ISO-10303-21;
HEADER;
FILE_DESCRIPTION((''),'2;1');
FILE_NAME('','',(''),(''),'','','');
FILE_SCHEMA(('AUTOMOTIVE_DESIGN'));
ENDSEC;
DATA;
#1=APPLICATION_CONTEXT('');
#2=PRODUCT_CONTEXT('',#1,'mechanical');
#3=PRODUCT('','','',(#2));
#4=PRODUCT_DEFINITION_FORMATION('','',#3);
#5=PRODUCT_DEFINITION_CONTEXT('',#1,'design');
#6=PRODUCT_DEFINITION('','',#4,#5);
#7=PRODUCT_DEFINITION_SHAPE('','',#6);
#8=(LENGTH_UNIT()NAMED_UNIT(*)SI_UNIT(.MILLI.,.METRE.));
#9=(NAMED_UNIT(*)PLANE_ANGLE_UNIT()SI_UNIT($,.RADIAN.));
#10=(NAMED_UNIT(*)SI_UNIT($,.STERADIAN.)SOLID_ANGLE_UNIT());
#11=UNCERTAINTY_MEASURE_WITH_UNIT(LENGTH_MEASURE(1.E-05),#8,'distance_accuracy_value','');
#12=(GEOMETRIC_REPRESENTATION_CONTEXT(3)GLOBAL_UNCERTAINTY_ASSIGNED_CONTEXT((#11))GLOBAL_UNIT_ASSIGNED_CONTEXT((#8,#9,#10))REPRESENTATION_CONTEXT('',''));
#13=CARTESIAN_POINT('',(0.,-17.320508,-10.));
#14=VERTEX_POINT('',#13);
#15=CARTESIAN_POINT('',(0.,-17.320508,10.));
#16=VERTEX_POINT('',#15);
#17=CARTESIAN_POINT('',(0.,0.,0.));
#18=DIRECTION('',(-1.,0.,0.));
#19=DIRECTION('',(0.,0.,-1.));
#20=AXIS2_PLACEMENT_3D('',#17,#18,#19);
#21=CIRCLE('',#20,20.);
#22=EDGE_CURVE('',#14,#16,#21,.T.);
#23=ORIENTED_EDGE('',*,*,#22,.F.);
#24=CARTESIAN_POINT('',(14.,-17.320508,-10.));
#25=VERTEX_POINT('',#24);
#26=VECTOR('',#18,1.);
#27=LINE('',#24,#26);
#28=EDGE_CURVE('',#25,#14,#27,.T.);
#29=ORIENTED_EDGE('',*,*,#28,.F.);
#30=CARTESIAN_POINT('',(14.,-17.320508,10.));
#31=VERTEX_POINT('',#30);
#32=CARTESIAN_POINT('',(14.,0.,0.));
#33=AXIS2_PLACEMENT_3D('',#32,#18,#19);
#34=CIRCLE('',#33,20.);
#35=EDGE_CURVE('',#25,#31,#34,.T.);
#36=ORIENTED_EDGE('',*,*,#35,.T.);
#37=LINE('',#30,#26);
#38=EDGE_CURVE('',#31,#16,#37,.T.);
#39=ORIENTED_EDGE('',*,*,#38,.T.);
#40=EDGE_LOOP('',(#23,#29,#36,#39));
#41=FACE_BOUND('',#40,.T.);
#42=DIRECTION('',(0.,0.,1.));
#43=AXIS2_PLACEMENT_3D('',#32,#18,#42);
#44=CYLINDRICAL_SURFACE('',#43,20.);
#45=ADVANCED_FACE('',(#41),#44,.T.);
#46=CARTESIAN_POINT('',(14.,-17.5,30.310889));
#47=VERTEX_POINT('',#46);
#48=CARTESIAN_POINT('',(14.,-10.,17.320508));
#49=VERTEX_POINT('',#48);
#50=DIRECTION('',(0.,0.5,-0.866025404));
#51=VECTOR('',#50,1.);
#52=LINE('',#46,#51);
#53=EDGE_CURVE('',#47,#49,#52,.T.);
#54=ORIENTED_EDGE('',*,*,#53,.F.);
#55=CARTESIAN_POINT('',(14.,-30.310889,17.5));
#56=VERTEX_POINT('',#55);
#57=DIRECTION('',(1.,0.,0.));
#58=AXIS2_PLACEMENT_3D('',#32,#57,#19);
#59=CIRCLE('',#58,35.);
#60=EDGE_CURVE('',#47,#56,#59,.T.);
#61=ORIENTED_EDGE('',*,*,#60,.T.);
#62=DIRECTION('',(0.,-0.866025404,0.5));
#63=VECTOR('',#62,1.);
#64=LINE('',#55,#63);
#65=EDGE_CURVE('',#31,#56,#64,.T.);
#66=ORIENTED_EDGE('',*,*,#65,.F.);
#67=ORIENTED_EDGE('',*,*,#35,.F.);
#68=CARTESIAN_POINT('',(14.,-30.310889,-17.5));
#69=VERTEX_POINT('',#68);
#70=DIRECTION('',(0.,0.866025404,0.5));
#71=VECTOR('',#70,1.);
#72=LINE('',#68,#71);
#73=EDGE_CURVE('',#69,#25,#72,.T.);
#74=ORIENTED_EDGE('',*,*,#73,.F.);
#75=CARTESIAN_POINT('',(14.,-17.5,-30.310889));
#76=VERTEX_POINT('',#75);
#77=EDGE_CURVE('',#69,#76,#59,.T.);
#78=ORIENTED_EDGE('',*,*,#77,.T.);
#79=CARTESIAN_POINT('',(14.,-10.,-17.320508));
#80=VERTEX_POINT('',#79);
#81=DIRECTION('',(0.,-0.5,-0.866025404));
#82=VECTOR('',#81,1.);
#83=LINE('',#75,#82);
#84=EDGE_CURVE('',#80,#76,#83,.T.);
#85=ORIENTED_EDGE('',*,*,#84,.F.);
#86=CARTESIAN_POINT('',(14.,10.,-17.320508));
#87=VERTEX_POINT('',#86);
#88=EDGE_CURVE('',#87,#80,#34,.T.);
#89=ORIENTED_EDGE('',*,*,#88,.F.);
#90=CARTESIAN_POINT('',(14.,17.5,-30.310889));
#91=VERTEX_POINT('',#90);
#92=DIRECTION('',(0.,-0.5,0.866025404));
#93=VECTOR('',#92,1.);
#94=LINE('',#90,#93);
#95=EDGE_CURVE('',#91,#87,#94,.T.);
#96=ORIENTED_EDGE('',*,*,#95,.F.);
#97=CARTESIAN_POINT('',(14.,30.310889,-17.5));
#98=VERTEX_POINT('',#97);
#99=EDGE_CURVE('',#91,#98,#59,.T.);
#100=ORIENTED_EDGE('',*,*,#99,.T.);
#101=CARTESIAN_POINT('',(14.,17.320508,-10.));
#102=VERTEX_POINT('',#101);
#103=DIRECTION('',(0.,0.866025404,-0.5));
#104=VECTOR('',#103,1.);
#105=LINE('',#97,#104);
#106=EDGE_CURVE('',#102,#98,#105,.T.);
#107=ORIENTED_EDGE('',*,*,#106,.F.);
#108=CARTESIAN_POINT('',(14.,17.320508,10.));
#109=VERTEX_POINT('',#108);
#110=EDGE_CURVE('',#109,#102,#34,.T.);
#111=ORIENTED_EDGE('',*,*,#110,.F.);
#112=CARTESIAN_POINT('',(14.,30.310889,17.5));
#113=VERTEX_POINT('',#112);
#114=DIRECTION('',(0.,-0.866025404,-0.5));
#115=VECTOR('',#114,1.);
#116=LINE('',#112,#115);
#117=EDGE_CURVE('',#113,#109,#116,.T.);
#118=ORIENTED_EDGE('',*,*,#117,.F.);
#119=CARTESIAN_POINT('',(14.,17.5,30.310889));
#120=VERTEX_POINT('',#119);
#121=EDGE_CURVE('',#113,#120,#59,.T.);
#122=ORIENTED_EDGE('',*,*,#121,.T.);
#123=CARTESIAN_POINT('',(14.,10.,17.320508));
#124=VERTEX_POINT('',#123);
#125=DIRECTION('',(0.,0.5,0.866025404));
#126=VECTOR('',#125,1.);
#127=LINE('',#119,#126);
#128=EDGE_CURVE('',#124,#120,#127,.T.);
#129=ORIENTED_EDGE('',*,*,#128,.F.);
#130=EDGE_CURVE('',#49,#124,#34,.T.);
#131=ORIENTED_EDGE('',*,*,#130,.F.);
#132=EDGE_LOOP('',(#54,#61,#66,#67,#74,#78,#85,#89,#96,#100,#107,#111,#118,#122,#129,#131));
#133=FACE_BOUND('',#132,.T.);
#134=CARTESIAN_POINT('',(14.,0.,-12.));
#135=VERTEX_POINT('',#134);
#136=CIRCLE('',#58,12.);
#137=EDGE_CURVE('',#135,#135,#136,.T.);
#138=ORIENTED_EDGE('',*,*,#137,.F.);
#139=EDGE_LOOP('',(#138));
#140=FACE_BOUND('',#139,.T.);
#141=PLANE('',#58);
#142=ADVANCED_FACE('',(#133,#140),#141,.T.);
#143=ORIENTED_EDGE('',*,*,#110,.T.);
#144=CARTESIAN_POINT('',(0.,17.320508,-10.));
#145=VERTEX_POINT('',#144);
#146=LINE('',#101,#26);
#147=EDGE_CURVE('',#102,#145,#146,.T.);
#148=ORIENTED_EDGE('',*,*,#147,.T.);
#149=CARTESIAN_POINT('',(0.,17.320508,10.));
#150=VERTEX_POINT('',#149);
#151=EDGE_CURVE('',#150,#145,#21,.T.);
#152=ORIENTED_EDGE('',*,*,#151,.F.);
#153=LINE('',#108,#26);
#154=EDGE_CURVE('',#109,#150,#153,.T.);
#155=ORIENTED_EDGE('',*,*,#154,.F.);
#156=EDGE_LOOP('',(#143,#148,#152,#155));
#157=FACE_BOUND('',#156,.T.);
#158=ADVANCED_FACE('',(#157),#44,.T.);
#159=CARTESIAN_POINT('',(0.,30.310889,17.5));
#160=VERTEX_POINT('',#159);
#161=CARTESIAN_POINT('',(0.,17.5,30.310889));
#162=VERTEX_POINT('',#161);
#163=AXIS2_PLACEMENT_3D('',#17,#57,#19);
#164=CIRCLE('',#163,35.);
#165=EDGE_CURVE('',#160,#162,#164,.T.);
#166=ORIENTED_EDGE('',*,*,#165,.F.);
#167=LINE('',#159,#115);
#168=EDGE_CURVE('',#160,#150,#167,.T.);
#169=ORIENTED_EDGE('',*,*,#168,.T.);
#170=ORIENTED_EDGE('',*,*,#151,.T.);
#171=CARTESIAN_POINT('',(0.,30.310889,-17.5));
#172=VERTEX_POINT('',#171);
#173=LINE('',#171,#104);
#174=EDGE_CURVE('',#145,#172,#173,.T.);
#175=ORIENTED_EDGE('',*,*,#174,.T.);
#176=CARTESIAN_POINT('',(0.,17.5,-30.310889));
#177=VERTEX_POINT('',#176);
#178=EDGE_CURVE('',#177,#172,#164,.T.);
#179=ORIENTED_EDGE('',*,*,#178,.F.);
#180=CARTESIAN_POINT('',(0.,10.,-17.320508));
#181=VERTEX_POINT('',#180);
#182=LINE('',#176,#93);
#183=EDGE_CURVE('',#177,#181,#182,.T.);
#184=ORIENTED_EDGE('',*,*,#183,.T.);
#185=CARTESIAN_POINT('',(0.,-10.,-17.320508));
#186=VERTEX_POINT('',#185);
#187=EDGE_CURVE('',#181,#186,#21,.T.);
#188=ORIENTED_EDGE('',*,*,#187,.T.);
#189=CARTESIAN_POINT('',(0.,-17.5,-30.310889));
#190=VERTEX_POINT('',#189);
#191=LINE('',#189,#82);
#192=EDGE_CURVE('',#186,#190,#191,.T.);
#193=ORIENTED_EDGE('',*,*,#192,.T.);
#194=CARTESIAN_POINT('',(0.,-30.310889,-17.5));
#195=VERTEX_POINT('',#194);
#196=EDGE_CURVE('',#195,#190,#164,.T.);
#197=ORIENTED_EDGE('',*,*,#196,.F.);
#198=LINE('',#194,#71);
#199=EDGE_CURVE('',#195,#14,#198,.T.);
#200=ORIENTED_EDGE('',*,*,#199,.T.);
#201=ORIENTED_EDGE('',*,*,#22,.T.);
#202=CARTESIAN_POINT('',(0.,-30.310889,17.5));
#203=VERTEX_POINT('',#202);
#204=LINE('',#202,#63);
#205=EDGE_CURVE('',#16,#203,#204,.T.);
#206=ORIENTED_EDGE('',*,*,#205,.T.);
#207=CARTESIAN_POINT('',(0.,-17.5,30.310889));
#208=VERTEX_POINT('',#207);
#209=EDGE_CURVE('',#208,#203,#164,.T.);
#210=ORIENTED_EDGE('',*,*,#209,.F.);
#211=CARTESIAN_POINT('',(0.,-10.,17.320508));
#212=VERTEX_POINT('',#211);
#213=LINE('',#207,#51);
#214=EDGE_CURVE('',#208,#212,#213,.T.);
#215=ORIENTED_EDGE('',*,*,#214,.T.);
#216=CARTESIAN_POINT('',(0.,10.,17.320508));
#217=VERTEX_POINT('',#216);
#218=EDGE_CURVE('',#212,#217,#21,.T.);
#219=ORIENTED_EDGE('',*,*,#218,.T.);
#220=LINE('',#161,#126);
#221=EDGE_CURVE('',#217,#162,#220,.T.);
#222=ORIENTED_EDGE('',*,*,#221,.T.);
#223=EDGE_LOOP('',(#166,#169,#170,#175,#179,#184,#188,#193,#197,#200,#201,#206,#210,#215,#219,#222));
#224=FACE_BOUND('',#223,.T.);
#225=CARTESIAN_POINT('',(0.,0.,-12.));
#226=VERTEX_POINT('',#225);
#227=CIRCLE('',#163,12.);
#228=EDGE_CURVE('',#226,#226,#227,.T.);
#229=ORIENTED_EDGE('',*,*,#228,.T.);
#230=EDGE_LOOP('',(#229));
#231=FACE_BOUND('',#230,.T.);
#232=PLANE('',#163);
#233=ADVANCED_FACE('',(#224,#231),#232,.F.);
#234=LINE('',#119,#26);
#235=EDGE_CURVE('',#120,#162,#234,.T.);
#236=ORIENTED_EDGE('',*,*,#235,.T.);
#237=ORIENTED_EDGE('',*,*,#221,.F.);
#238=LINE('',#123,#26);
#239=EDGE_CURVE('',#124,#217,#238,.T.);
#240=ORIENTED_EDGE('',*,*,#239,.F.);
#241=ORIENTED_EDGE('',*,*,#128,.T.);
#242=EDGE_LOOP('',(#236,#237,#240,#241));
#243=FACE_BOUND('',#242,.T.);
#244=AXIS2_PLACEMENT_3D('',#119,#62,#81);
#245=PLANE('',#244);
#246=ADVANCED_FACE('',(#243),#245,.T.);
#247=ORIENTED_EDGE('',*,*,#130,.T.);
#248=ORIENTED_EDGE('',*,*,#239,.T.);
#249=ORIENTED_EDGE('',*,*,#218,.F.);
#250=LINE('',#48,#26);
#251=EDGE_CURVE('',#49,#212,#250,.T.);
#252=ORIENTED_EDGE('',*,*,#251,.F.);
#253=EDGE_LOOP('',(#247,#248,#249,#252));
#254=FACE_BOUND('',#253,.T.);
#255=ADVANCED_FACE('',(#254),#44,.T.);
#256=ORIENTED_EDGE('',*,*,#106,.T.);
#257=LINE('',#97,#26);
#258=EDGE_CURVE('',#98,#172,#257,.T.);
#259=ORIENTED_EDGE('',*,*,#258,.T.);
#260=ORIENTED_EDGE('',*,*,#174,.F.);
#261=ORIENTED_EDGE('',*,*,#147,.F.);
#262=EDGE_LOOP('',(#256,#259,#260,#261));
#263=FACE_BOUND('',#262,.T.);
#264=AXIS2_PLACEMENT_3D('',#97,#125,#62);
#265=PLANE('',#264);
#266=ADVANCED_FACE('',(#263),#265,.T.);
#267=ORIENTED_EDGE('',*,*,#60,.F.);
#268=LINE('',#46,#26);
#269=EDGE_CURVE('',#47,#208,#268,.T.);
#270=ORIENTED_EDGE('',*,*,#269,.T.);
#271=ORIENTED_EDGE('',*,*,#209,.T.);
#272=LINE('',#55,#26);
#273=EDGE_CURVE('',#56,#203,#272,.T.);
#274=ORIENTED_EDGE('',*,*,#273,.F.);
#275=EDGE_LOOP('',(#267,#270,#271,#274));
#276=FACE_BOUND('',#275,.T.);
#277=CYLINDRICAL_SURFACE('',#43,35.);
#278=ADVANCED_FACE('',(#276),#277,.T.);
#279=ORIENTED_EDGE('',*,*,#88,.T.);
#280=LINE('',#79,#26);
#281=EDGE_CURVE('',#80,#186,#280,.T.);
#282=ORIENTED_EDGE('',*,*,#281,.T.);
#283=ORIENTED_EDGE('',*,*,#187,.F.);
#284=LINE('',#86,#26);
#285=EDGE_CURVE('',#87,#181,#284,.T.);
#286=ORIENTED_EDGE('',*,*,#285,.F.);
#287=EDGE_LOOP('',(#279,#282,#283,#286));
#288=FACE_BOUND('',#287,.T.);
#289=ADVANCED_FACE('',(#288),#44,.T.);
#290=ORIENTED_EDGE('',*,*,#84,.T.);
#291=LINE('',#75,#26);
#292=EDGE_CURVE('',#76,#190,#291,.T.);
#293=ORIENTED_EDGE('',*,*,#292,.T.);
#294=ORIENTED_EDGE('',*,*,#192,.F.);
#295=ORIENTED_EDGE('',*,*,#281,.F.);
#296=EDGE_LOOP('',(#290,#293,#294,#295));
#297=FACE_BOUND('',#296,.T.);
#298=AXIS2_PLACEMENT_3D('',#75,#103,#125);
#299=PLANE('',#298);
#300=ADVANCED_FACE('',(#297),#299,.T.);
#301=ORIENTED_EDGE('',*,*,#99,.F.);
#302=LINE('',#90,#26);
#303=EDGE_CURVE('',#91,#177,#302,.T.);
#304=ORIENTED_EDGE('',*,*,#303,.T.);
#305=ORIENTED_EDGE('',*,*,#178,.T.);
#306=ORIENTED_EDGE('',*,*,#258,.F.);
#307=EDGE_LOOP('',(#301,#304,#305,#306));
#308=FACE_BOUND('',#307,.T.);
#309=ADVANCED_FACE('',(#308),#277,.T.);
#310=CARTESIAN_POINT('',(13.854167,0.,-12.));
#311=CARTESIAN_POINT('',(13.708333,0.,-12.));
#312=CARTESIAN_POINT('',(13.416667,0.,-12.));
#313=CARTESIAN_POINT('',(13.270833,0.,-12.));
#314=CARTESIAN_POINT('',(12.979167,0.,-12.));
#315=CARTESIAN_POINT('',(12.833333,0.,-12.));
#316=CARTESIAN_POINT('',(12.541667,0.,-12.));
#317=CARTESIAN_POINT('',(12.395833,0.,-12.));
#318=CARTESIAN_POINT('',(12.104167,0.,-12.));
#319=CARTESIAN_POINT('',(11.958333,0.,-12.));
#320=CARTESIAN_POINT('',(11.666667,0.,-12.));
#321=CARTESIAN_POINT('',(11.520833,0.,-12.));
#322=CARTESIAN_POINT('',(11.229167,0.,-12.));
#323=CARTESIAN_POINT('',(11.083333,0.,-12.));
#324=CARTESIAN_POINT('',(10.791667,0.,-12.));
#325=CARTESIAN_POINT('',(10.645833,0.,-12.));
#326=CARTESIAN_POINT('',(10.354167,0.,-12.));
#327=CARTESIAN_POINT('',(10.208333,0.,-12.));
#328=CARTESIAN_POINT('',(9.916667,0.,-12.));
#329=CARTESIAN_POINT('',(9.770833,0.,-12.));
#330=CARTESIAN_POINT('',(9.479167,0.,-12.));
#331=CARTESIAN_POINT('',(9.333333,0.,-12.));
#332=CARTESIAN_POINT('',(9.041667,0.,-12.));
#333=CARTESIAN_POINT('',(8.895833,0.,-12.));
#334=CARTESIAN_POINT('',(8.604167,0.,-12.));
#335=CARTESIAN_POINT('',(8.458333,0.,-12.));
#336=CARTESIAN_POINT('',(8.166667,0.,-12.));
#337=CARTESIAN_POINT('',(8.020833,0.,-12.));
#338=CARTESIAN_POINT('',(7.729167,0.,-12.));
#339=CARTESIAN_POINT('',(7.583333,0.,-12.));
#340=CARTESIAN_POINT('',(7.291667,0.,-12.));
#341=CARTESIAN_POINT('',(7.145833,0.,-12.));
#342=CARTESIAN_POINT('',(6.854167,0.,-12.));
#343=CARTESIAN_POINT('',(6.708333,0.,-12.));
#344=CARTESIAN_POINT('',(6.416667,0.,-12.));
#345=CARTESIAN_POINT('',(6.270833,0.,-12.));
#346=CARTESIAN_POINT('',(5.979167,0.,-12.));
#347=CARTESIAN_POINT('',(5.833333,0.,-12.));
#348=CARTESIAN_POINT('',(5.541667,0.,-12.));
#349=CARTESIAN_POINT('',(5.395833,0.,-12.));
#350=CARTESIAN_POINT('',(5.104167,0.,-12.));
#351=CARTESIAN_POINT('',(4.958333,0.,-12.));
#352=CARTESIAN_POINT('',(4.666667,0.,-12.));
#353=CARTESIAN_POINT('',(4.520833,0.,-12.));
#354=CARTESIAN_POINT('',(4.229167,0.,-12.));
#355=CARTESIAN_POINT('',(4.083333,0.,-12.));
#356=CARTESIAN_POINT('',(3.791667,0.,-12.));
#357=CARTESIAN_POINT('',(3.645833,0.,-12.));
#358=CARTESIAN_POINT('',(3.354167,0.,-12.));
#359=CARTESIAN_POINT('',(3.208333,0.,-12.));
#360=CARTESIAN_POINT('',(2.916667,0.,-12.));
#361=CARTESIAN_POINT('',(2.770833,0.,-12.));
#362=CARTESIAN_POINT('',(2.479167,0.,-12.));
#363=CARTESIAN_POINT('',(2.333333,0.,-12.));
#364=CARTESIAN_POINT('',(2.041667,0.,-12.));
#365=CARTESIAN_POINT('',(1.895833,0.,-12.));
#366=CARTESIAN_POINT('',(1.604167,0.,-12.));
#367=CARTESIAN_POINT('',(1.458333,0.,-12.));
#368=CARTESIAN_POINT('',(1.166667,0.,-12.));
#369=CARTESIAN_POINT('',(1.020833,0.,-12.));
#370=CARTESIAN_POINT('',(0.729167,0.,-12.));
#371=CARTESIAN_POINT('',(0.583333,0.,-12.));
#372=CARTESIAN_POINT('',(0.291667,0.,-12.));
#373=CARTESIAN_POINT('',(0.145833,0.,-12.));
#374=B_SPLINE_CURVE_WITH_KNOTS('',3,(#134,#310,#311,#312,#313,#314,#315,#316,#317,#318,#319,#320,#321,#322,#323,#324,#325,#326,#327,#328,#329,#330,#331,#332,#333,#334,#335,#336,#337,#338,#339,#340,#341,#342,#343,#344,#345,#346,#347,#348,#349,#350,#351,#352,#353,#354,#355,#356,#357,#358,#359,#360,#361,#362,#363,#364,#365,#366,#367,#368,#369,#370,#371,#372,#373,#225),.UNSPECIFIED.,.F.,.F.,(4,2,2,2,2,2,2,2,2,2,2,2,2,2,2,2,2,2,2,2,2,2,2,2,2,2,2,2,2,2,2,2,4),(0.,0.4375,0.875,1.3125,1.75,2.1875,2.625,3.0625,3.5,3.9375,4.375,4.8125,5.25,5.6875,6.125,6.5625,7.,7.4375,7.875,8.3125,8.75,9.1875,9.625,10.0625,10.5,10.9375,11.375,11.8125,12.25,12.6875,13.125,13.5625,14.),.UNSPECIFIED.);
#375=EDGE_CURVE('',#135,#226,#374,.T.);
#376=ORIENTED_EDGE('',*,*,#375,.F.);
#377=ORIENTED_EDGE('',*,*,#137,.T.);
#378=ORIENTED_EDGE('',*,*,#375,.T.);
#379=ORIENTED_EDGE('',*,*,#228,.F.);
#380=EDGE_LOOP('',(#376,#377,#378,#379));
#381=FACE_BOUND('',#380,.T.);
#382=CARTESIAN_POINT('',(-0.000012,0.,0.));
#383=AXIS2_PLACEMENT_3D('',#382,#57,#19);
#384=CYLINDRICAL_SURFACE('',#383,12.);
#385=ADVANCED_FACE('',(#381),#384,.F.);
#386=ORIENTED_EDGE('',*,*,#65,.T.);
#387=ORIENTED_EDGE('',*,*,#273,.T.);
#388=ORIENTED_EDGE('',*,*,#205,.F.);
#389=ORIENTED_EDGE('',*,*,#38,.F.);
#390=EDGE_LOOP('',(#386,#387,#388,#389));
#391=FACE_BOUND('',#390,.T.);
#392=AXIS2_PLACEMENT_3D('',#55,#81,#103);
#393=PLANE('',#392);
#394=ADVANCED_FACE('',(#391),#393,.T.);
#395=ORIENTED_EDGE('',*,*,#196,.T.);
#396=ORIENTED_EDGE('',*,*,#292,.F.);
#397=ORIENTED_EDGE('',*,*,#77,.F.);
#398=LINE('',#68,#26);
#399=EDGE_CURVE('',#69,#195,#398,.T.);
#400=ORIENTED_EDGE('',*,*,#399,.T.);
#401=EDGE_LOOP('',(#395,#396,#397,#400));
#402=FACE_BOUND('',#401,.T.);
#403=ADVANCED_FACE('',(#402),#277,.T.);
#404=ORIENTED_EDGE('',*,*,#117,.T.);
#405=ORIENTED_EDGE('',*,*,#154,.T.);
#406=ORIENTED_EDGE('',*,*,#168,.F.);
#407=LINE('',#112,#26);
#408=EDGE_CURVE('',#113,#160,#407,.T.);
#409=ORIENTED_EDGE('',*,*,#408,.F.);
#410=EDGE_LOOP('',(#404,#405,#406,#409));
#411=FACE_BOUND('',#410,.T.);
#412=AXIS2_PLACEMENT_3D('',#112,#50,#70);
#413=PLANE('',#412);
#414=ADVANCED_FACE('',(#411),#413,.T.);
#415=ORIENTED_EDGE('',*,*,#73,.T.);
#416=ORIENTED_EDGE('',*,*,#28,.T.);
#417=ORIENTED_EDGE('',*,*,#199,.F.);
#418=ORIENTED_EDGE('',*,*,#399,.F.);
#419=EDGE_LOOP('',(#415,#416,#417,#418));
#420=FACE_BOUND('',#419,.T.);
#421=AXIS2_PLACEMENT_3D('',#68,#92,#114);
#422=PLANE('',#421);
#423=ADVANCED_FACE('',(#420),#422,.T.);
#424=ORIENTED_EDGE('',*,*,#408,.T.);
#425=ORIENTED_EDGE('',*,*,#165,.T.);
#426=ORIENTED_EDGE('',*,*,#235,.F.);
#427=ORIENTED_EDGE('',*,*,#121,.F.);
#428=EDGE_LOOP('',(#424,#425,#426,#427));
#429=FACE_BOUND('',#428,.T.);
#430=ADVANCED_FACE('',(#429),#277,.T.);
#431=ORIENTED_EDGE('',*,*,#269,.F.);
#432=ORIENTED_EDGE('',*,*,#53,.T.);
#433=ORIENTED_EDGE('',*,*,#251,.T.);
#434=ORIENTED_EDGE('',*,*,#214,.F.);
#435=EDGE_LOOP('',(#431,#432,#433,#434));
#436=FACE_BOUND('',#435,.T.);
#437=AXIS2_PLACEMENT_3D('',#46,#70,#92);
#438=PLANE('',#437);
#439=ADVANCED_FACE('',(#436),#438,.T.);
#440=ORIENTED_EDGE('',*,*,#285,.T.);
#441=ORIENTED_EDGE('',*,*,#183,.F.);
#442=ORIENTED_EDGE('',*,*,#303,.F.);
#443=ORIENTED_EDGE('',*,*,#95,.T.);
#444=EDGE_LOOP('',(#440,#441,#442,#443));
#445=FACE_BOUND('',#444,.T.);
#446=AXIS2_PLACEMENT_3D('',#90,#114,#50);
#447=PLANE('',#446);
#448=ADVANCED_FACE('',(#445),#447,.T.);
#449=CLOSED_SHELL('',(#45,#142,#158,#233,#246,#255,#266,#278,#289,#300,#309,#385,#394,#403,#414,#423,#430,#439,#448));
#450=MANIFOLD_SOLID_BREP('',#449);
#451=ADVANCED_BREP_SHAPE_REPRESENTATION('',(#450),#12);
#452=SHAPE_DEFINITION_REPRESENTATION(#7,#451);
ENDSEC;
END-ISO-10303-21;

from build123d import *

# Parameters (mm, degrees)
SKETCH1_R               = 35
BOSS_EXTRUDE1_DEPTH     = 14
CUT_EXTRUDE1_DEPTH      = 52.439284598
CUT_EXTRUDE2_DEPTH      = 46.094345544
CUT_EXTRUDE2_DEPTH_BACK = 46.094345544
SKETCH3_R               = 12


with BuildPart() as part:
    # Sketch1 → Boss-Extrude1 (new body)
    with BuildSketch(Plane(origin=(0, 0, 0), x_dir=(0, 0, -1), z_dir=(1, 0, 0))):
        Circle(SKETCH1_R)
    extrude(amount=BOSS_EXTRUDE1_DEPTH)

    # Sketch2 → Cut-Extrude1 (cut, through all)
    with BuildSketch(Plane(origin=(0, 0, 0), x_dir=(0, 0, -1), z_dir=(1, 0, 0))):
        with BuildLine():
            Line((-17.5, 30.310889132), (-10, 17.320508076))
            ThreePointArc((-10, 17.320508076), (0, 20), (10, 17.320508076))
            Line((10, 17.320508076), (17.5, 30.310889132))
            ThreePointArc((17.5, 30.310889132), (0, 35), (-17.5, 30.310889132))
        make_face()
        with BuildLine():
            Line((30.310889132, 17.5), (17.320508076, 10))
            ThreePointArc((17.320508076, 10), (20, 0), (17.320508076, -10))
            Line((17.320508076, -10), (30.310889132, -17.5))
            ThreePointArc((30.310889132, -17.5), (35, 0), (30.310889132, 17.5))
        make_face()
        with BuildLine():
            Line((17.5, -30.310889132), (10, -17.320508076))
            ThreePointArc((10, -17.320508076), (0, -20), (-10, -17.320508076))
            Line((-10, -17.320508076), (-17.5, -30.310889132))
            ThreePointArc((-17.5, -30.310889132), (0, -35), (17.5, -30.310889132))
        make_face()
        with BuildLine():
            Line((-30.310889132, -17.5), (-17.320508076, -10))
            ThreePointArc((-17.320508076, -10), (-20, 0), (-17.320508076, 10))
            Line((-17.320508076, 10), (-30.310889132, 17.5))
            ThreePointArc((-30.310889132, 17.5), (-35, 0), (-30.310889132, -17.5))
        make_face()
    extrude(amount=CUT_EXTRUDE1_DEPTH, mode=Mode.SUBTRACT)

    # Sketch3 → Cut-Extrude2 (cut, two sides: drawn at the far end of the back side and taken through both)
    with BuildSketch(Plane(origin=(0, 0, 0), x_dir=(0, 0, -1), z_dir=(1, 0, 0)).offset(-CUT_EXTRUDE2_DEPTH_BACK)):
        Circle(SKETCH3_R)
    extrude(amount=CUT_EXTRUDE2_DEPTH + CUT_EXTRUDE2_DEPTH_BACK, mode=Mode.SUBTRACT)


solid = part.part
